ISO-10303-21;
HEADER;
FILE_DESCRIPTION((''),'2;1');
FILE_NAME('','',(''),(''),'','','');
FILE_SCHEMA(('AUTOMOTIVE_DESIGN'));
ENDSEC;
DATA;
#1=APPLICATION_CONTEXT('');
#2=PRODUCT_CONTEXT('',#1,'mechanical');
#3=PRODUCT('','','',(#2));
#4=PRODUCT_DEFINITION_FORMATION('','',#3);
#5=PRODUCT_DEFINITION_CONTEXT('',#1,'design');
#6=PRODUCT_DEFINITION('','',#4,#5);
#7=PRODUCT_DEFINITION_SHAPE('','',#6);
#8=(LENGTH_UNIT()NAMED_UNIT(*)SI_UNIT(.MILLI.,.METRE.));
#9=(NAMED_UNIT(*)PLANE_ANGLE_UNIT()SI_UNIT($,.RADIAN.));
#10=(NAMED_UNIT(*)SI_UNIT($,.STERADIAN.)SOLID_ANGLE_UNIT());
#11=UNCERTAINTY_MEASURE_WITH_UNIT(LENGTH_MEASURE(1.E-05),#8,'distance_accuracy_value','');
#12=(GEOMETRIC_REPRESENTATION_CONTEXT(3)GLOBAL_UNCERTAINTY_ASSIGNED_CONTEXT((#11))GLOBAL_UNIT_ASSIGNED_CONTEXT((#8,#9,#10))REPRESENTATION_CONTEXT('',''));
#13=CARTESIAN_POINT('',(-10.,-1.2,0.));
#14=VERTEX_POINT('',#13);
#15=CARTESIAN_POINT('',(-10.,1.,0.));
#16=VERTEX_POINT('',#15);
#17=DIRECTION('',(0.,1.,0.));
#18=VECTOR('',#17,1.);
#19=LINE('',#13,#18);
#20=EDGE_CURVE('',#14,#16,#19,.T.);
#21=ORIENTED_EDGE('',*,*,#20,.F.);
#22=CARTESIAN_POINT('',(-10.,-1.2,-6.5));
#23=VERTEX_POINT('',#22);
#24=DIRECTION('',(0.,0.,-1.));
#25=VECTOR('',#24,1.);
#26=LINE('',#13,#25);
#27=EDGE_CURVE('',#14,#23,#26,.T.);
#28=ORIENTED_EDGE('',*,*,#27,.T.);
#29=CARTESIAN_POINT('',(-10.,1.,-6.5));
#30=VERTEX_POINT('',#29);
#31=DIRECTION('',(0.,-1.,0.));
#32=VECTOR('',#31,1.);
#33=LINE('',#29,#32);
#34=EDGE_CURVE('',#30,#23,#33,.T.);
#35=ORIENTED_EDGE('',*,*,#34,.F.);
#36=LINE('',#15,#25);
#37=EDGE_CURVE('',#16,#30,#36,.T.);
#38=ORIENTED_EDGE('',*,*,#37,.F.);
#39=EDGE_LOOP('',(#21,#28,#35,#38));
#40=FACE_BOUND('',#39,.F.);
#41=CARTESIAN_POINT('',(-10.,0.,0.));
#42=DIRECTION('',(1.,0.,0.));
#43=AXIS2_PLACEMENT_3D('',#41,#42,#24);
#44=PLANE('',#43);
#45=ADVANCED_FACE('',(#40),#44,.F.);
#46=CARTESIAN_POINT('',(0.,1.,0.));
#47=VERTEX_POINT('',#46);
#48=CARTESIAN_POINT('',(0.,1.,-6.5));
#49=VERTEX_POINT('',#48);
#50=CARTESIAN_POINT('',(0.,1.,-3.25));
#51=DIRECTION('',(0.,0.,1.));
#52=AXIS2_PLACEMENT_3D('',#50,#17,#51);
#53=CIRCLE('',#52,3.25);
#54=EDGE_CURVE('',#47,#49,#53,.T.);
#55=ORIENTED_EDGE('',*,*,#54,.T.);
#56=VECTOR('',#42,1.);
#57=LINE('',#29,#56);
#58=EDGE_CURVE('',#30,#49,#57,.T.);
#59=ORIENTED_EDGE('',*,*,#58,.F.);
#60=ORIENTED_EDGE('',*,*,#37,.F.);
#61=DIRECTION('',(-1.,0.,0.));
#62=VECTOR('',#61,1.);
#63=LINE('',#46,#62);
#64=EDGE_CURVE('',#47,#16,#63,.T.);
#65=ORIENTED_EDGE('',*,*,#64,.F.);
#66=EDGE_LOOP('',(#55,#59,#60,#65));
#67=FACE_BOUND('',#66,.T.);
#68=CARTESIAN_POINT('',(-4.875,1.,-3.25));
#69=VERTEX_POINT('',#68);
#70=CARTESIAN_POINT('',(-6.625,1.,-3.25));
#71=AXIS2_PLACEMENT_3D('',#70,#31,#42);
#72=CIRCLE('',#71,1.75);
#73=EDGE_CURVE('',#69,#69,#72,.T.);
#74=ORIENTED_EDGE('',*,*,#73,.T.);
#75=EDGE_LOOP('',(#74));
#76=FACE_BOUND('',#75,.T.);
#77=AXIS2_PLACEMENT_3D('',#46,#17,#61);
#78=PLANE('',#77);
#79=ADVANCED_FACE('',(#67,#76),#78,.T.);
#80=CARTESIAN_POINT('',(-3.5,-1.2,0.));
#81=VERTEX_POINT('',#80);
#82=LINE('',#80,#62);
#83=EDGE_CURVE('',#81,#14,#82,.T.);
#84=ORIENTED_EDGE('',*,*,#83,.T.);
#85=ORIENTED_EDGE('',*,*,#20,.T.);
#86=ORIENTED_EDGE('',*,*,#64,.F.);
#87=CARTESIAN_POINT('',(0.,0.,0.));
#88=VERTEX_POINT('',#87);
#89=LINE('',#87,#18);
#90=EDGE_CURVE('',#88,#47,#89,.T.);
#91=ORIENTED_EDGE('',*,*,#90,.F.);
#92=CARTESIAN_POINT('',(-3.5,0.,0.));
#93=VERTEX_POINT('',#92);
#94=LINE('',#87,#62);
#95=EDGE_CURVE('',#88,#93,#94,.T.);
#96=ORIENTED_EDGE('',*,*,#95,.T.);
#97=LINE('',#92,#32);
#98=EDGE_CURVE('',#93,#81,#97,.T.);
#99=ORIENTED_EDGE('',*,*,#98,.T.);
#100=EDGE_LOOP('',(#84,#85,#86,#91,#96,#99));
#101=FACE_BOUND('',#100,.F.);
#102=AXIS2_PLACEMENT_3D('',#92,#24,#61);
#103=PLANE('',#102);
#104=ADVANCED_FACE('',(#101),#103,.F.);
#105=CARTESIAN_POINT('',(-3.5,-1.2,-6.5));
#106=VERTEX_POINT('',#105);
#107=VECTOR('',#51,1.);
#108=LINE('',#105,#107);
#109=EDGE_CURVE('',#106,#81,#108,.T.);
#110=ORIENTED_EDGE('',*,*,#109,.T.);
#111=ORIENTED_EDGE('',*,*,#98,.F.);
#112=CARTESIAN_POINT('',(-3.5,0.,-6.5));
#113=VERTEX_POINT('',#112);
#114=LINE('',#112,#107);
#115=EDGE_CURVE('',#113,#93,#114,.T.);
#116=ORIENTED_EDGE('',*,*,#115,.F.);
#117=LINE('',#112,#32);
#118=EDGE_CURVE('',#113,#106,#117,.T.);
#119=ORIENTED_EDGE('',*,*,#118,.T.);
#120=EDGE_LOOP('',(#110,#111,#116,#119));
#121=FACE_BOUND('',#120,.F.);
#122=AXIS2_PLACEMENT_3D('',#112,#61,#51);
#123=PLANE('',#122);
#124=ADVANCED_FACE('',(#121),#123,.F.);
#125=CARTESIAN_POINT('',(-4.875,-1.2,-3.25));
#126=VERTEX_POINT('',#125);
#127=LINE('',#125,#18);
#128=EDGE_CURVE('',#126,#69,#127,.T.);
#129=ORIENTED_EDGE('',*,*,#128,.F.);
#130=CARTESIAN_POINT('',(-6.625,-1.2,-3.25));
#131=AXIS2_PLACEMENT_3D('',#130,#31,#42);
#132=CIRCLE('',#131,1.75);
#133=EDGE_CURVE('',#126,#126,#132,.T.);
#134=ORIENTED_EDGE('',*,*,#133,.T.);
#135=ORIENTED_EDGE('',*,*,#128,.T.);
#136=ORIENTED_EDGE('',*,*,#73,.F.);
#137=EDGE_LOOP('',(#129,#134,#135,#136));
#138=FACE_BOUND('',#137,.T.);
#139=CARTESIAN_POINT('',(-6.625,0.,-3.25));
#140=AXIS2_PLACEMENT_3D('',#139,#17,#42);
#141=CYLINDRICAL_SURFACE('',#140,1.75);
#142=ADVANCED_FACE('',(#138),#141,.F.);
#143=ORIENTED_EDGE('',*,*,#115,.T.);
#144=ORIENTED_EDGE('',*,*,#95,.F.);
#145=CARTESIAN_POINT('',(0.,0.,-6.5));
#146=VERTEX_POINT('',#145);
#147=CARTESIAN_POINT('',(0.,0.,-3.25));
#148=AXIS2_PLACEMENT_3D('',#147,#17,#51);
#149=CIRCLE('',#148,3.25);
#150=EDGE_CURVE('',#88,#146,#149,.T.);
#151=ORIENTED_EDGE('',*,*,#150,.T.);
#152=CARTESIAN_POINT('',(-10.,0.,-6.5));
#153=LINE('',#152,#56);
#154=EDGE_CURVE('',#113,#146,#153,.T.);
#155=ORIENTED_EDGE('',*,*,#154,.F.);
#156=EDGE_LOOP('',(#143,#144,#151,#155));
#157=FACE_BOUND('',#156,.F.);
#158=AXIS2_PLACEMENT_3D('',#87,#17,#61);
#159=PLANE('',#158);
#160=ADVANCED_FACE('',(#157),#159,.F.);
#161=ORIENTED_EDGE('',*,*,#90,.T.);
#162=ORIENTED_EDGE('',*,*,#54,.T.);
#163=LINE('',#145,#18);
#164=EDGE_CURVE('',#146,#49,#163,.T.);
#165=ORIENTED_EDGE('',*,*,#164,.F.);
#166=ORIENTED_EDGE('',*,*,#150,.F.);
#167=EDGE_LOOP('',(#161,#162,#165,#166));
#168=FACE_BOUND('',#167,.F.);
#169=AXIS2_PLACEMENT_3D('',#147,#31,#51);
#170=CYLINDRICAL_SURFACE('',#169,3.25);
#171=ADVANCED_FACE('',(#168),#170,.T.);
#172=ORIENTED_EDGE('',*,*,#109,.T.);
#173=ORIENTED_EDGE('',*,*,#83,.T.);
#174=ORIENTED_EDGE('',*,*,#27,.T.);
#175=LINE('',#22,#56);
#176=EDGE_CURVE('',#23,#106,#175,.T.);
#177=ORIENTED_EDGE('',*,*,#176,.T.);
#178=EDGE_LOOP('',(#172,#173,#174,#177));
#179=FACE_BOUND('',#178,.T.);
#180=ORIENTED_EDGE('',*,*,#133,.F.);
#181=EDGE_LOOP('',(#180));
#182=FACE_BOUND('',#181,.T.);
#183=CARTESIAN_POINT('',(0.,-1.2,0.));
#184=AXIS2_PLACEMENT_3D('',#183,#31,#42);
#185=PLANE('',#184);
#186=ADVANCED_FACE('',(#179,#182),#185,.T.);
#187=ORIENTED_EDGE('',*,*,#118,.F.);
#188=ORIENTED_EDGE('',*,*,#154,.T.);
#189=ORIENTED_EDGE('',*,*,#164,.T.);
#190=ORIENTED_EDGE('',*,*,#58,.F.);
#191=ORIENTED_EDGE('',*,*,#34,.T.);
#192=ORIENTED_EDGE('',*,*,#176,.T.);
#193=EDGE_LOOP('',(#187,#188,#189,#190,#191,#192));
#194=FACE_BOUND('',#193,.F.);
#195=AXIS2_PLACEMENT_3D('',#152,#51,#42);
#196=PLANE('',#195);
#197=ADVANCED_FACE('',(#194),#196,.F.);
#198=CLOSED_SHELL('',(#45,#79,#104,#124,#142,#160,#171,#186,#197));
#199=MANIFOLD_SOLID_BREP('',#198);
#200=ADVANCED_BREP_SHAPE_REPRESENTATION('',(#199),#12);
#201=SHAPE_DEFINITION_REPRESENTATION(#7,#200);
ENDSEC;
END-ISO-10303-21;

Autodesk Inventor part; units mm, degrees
ref_plane "YZ Plane" through (0, 0, 0) normal (1, 0, 0) x (0, 1, 0)
ref_plane "XZ Plane" through (0, 0, 0) normal (0, 1, 0) x (-1, 0, 0)
ref_plane "XY Plane" through (0, 0, 0) normal (0, 0, 1) x (1, 0, 0)
sketch "Sketch1" plane through (0, 0, 0) normal (0, 1, 0) x (-1, 0, 0)
  line L0 (0, 0) -> (10, 0)
  line L1 (10, 0) -> (10, -6.5)
  line L2 (10, -6.5) -> (0, -6.5)
  line L3 (0, -6.5) -> (0, 0)
  arc A0 (0, 0) -> (0, -6.5) centre (0, -3.25) ccw
  dimension "d1" = 6.5
  dimension "d2" = 10
extrude "Extrusion1" add sketch "Sketch1" along normal blind 1
sketch "Sketch2" plane through (0, 0, 0) normal (0, -1, 0) x (1, 0, 0)
  line L0 (-10, -6.5) -> (-10, 0) construction
  line L1 (0, -6.5) -> (-10, -6.5) construction
  arc A0 (0, -6.5) -> (0, 0) centre (0, -3.25) ccw construction
  line L2 (-10, 0) -> (0, 0) construction
  line L3 (-10, 0) -> (-3.5, 0) construction
  line L4 (-3.5, 0) -> (-3.5, -6.5) construction
  line L5 (-3.5, -6.5) -> (-10, -6.5) construction
  line L6 (-10, -6.5) -> (-10, 0) construction
  line L7 (-10, -3.25) -> (-6.625, -3.25) construction
  circle A1 centre (-6.625, -3.25) radius 1.75
  dimension "d5" = 6.5
  dimension "d6" = 3.375
  dimension "d7" = 3.5
extrude "Extrusion2" cut sketch "Sketch2" against normal blind 1
sketch "Sketch3" plane through (0, 0, 0) normal (0, -1, 0) x (1, 0, 0)
  circle A0 centre (-6.625, -3.25) radius 1.75 construction
  line L0 (-10, -6.5) -> (-10, 0) construction
  line L1 (0, -6.5) -> (-10, -6.5) construction
  arc A1 (0, -6.5) -> (0, 0) centre (0, -3.25) ccw construction
  line L2 (-10, 0) -> (0, 0) construction
  circle A2 centre (0, -3.25) radius 3.25 construction
  line L3 (-10, -6.5) -> (-3.5, -6.5)
  line L4 (-3.5, -6.5) -> (-3.5, 0)
  line L5 (-3.5, 0) -> (-10, 0)
  line L6 (-10, 0) -> (-10, -6.5)
  circle A3 centre (-6.625, -3.25) radius 1.75
  dimension "d10" = 6.5
extrude "Extrusion3" add sketch "Sketch3" along normal blind 1.2
properties part number "pinub"
